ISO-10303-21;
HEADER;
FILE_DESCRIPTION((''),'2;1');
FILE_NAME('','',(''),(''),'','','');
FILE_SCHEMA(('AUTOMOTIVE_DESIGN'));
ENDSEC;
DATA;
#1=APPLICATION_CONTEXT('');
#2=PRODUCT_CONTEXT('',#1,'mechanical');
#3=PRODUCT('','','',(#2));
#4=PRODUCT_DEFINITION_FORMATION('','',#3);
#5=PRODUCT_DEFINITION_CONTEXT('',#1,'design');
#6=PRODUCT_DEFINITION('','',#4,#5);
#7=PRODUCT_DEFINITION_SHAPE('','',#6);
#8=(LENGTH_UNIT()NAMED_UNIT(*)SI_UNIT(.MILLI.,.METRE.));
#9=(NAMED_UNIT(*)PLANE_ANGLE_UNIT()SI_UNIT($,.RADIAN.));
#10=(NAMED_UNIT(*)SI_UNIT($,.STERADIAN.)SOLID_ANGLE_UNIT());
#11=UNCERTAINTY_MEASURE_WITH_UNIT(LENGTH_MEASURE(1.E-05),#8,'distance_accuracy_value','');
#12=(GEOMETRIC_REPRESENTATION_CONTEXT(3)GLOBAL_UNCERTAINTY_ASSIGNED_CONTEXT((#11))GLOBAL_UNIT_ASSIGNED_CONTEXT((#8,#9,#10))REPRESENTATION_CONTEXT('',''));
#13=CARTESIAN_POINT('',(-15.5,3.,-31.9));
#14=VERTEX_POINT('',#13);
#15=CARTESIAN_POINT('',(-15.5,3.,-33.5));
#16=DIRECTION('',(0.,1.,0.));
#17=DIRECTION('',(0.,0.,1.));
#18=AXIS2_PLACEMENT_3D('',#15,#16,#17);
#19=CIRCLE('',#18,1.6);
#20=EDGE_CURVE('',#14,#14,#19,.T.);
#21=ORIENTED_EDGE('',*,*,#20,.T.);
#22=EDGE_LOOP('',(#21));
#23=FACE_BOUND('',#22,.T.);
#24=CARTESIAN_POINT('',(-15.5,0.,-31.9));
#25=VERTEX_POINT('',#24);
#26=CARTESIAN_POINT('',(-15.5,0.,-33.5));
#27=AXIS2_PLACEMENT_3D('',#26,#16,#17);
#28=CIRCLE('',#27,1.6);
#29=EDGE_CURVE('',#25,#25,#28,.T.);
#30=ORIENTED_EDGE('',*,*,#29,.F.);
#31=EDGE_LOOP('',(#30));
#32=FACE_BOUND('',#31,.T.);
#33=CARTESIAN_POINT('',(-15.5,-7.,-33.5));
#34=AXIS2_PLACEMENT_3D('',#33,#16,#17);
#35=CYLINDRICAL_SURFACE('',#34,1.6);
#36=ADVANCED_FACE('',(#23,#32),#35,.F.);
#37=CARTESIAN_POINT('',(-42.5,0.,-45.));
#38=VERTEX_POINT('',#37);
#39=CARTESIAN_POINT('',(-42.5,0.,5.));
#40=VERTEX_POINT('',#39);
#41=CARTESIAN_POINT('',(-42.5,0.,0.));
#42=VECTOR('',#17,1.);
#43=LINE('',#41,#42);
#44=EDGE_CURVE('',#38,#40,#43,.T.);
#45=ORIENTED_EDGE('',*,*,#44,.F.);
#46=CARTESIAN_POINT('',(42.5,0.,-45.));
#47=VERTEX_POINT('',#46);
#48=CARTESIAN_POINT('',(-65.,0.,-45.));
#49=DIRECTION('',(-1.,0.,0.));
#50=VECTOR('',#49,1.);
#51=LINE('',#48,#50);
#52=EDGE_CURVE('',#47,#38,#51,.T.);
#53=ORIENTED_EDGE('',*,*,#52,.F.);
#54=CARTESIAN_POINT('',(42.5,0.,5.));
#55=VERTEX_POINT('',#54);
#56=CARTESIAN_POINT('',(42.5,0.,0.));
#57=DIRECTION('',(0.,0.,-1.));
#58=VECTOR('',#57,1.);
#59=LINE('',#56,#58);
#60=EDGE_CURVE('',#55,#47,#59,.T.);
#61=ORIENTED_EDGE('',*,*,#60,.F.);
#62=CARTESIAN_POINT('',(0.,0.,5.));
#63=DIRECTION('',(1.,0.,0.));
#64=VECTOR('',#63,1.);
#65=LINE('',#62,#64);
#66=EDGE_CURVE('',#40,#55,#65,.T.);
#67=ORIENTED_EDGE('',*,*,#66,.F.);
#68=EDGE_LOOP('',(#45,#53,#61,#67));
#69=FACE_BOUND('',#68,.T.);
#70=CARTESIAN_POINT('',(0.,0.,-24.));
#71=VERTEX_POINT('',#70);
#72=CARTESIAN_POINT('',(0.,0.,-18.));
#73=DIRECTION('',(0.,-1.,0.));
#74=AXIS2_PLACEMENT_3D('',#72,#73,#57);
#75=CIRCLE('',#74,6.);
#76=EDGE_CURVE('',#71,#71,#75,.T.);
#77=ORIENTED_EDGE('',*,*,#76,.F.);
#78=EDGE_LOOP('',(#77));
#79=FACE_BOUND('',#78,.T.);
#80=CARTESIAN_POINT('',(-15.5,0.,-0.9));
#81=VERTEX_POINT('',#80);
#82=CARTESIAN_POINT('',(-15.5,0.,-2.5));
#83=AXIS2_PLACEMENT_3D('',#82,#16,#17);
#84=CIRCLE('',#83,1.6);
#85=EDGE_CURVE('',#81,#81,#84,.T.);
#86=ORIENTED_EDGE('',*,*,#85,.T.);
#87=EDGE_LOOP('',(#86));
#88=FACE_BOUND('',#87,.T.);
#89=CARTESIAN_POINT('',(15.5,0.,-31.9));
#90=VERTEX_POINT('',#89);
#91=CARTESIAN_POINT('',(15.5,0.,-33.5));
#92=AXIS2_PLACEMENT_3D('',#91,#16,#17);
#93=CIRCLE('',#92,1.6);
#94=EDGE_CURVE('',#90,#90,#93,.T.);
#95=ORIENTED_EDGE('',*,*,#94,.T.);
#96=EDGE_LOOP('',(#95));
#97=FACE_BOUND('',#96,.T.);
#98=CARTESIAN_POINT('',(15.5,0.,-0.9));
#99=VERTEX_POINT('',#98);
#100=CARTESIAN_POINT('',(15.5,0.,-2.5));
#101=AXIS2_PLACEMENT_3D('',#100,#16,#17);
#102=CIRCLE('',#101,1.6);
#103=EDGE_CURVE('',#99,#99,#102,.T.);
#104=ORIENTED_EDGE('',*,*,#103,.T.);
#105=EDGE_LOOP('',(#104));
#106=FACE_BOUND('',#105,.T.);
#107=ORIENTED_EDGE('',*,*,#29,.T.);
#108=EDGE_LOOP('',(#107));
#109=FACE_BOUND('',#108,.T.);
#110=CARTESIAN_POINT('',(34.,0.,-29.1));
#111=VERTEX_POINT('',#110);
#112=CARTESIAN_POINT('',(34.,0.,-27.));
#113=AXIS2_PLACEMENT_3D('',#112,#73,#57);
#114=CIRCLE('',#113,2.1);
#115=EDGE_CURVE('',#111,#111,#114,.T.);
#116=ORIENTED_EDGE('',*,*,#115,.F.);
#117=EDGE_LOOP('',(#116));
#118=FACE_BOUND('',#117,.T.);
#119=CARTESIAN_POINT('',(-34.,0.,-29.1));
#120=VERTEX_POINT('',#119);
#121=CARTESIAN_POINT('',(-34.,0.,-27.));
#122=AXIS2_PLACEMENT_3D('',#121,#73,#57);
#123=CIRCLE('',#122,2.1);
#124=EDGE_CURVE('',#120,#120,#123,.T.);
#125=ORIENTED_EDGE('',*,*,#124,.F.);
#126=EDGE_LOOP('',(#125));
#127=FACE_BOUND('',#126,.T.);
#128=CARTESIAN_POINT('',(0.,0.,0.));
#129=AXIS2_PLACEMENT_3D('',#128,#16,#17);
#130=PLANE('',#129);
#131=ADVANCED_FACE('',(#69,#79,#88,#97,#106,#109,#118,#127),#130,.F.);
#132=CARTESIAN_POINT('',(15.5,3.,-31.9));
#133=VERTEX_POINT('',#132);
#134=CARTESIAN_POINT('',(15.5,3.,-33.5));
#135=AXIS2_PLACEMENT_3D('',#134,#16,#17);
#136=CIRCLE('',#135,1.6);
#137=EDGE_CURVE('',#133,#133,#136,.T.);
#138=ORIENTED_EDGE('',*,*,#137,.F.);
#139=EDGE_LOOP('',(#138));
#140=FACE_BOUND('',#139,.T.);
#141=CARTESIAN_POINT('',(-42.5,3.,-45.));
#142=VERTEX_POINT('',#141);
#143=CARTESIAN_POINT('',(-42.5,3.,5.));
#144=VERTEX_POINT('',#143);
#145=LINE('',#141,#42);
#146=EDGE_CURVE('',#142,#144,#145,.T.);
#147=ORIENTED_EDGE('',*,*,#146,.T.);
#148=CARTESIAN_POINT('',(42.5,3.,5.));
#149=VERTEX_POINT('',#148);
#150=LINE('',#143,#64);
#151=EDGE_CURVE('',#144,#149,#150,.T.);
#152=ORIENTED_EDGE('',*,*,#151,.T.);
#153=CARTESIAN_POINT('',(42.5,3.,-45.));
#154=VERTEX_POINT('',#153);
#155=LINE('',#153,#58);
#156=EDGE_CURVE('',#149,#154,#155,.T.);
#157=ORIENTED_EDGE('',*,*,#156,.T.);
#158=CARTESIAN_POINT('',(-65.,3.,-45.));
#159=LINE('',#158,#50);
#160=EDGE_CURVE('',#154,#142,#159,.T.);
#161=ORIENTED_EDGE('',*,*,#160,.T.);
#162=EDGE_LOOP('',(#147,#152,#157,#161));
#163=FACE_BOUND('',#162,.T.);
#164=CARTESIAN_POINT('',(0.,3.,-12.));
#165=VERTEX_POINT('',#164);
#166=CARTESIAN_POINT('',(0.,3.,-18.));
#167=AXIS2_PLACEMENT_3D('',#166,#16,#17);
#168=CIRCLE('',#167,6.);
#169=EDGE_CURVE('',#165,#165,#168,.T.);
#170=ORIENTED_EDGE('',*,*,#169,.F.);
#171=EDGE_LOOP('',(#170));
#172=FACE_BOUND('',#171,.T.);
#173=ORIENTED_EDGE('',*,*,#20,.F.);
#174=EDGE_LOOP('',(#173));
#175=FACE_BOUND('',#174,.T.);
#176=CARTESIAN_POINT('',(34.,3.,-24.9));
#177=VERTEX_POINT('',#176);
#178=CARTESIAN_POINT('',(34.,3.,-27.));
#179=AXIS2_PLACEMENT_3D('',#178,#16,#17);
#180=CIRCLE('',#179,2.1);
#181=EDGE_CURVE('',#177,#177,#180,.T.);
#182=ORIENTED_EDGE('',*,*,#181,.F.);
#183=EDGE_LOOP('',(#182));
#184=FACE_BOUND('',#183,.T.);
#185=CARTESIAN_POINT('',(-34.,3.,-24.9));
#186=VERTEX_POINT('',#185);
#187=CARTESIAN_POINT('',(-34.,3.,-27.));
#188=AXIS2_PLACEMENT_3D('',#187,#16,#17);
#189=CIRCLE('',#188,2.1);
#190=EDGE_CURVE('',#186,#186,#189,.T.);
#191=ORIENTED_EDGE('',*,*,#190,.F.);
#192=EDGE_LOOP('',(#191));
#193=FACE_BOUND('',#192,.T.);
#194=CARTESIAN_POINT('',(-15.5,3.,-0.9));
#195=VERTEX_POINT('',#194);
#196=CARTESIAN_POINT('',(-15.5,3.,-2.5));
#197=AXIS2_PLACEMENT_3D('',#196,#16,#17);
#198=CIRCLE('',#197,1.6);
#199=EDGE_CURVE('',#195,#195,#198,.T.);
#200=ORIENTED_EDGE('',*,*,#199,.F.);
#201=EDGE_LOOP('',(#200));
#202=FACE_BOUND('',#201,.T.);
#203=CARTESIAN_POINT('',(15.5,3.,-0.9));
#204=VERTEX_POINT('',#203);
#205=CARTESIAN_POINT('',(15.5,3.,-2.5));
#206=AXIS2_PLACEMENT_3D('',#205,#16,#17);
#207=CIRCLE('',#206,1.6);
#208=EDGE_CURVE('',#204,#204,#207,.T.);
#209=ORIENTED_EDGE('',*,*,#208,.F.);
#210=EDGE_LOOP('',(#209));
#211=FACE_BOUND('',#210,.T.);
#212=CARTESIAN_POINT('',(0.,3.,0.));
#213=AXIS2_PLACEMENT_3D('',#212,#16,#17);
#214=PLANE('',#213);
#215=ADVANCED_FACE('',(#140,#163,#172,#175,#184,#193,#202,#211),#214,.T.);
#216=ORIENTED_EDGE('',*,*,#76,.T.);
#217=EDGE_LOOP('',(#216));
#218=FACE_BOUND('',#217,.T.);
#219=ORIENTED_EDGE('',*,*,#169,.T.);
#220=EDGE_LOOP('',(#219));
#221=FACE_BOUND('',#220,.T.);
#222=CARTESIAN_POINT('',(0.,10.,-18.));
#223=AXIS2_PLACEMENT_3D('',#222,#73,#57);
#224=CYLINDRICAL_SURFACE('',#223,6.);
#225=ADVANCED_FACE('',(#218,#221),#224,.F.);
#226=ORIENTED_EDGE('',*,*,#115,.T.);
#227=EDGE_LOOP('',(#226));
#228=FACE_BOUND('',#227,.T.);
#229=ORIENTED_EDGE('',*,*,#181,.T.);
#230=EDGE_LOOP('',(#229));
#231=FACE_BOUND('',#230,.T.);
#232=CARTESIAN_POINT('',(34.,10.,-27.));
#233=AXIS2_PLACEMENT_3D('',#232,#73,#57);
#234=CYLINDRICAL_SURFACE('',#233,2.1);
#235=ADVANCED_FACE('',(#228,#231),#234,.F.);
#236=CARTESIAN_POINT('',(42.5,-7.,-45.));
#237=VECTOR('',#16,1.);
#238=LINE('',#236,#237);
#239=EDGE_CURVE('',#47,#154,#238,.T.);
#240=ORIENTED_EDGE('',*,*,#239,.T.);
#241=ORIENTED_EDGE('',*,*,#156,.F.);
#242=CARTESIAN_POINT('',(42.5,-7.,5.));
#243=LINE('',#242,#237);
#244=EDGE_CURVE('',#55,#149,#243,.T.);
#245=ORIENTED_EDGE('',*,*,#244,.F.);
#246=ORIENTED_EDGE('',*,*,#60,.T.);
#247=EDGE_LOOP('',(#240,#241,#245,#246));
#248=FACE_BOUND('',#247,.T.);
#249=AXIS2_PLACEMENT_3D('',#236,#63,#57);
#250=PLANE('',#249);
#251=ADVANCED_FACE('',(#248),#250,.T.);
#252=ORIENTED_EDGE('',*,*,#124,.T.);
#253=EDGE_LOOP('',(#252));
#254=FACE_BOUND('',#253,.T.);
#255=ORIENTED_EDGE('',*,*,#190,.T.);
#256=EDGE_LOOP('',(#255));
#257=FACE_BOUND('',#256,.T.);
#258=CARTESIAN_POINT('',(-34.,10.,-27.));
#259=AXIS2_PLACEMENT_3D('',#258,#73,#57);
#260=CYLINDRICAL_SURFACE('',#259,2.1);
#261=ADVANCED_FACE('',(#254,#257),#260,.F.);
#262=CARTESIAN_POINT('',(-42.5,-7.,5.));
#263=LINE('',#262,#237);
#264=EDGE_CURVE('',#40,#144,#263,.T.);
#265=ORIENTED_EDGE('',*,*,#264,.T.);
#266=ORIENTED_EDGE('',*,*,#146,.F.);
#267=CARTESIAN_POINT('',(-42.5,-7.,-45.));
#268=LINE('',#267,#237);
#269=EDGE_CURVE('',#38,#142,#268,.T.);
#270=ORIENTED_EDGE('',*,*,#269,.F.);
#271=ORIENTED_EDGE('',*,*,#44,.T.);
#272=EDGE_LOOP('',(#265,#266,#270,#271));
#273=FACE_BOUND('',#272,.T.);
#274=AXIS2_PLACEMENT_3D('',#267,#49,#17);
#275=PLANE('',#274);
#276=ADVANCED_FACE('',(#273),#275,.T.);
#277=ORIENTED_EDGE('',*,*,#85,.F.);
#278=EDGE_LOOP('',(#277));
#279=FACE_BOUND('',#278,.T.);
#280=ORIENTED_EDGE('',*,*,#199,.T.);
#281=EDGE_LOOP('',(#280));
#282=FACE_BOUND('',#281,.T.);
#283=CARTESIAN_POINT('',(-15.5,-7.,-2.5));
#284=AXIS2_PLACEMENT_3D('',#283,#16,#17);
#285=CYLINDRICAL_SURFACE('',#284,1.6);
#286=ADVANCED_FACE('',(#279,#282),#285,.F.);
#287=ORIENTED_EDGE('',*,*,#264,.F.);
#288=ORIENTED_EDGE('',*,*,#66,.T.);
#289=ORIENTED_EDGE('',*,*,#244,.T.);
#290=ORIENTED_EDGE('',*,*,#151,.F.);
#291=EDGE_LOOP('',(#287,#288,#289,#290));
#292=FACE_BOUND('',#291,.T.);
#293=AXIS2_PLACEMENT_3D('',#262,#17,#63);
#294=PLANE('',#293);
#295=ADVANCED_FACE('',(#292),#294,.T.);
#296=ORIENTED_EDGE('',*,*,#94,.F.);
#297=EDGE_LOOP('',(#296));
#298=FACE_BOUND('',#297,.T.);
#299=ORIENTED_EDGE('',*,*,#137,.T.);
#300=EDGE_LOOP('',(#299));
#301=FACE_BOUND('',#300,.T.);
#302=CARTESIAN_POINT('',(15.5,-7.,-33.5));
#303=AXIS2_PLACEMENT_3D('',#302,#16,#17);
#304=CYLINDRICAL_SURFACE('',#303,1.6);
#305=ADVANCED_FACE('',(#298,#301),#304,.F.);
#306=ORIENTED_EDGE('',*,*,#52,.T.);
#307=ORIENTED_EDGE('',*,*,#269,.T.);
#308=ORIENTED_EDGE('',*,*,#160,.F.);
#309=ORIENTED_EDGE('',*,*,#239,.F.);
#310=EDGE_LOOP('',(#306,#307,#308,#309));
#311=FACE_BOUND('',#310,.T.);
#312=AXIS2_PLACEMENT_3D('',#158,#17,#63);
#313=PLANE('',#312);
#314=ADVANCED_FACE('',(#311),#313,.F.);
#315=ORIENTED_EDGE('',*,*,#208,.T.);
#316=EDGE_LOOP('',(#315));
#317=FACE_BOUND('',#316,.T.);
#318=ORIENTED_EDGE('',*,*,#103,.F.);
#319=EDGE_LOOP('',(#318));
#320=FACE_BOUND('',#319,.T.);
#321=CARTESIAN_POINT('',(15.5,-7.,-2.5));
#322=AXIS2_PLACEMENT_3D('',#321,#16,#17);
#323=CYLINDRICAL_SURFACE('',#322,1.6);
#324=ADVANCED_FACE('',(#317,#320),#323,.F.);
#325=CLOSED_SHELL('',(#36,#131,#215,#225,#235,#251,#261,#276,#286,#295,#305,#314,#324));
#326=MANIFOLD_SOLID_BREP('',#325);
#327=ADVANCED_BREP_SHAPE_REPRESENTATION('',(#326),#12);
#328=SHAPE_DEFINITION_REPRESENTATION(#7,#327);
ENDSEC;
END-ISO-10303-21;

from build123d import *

# Parameters (mm, degrees)
SKETCH1_W           = 130
SKETCH1_H           = 90
BOSS_EXTRUDE1_DEPTH = 3
SKETCH2_R           = 1.6
CUT_EXTRUDE1_DEPTH  = 10
SKETCH3_R           = 2.1
CUT_EXTRUDE2_DEPTH  = 10
SKETCH4_R           = 6
CUT_EXTRUDE3_DEPTH  = 10
SKETCH5_W           = 211.899285322
SKETCH5_H           = 138.032985156
SKETCH5_W_2         = 85
SKETCH5_H_2         = 50
CUT_EXTRUDE4_DEPTH  = 10


with BuildPart() as part:
    # Sketch1 → Boss-Extrude1 (new body)
    with BuildSketch(Plane(origin=(0, 0, 0), x_dir=(1, 0, 0), z_dir=(0, 1, 0))):
        Rectangle(SKETCH1_W, SKETCH1_H)
    extrude(amount=BOSS_EXTRUDE1_DEPTH)

    # Sketch2 → Cut-Extrude1 (cut)
    with BuildSketch(Plane(origin=(0, 3, 0), x_dir=(1, 0, 0), z_dir=(0, 1, 0))):
        with Locations(Location((15.5, 2.5, 0), (0, 0, 270))):
            Circle(SKETCH2_R)
        with Locations(Location((-15.5, 2.5, 0), (0, 0, 270))):
            Circle(SKETCH2_R)
        with Locations(Location((-15.5, 33.5, 0), (0, 0, 270))):
            Circle(SKETCH2_R)
        with Locations(Location((15.5, 33.5, 0), (0, 0, 270))):
            Circle(SKETCH2_R)
    extrude(amount=-CUT_EXTRUDE1_DEPTH, mode=Mode.SUBTRACT)

    # Sketch3 → Cut-Extrude2 (cut)
    with BuildSketch(Plane.XZ):
        with Locations(Location((-34, -27, 0), (0, 0, 270))):
            Circle(SKETCH3_R)
        with Locations(Location((34, -27, 0), (0, 0, 270))):
            Circle(SKETCH3_R)
    extrude(amount=-CUT_EXTRUDE2_DEPTH, mode=Mode.SUBTRACT)

    # Sketch4 → Cut-Extrude3 (cut)
    with BuildSketch(Plane.XZ):
        with Locations(Location((0, -18, 0), (0, 0, 270))):
            Circle(SKETCH4_R)
    extrude(amount=-CUT_EXTRUDE3_DEPTH, mode=Mode.SUBTRACT)

    # Sketch5 → Cut-Extrude4 (cut)
    with BuildSketch(Plane(origin=(0, 3, 0), x_dir=(1, 0, 0), z_dir=(0, 1, 0))):
        with Locations((0.497416163, -6.590764156)):
            Rectangle(SKETCH5_W, SKETCH5_H)
        with Locations((0, 20)):
            Rectangle(SKETCH5_W_2, SKETCH5_H_2, mode=Mode.SUBTRACT)
    extrude(amount=-CUT_EXTRUDE4_DEPTH, mode=Mode.SUBTRACT)


solid = part.part
